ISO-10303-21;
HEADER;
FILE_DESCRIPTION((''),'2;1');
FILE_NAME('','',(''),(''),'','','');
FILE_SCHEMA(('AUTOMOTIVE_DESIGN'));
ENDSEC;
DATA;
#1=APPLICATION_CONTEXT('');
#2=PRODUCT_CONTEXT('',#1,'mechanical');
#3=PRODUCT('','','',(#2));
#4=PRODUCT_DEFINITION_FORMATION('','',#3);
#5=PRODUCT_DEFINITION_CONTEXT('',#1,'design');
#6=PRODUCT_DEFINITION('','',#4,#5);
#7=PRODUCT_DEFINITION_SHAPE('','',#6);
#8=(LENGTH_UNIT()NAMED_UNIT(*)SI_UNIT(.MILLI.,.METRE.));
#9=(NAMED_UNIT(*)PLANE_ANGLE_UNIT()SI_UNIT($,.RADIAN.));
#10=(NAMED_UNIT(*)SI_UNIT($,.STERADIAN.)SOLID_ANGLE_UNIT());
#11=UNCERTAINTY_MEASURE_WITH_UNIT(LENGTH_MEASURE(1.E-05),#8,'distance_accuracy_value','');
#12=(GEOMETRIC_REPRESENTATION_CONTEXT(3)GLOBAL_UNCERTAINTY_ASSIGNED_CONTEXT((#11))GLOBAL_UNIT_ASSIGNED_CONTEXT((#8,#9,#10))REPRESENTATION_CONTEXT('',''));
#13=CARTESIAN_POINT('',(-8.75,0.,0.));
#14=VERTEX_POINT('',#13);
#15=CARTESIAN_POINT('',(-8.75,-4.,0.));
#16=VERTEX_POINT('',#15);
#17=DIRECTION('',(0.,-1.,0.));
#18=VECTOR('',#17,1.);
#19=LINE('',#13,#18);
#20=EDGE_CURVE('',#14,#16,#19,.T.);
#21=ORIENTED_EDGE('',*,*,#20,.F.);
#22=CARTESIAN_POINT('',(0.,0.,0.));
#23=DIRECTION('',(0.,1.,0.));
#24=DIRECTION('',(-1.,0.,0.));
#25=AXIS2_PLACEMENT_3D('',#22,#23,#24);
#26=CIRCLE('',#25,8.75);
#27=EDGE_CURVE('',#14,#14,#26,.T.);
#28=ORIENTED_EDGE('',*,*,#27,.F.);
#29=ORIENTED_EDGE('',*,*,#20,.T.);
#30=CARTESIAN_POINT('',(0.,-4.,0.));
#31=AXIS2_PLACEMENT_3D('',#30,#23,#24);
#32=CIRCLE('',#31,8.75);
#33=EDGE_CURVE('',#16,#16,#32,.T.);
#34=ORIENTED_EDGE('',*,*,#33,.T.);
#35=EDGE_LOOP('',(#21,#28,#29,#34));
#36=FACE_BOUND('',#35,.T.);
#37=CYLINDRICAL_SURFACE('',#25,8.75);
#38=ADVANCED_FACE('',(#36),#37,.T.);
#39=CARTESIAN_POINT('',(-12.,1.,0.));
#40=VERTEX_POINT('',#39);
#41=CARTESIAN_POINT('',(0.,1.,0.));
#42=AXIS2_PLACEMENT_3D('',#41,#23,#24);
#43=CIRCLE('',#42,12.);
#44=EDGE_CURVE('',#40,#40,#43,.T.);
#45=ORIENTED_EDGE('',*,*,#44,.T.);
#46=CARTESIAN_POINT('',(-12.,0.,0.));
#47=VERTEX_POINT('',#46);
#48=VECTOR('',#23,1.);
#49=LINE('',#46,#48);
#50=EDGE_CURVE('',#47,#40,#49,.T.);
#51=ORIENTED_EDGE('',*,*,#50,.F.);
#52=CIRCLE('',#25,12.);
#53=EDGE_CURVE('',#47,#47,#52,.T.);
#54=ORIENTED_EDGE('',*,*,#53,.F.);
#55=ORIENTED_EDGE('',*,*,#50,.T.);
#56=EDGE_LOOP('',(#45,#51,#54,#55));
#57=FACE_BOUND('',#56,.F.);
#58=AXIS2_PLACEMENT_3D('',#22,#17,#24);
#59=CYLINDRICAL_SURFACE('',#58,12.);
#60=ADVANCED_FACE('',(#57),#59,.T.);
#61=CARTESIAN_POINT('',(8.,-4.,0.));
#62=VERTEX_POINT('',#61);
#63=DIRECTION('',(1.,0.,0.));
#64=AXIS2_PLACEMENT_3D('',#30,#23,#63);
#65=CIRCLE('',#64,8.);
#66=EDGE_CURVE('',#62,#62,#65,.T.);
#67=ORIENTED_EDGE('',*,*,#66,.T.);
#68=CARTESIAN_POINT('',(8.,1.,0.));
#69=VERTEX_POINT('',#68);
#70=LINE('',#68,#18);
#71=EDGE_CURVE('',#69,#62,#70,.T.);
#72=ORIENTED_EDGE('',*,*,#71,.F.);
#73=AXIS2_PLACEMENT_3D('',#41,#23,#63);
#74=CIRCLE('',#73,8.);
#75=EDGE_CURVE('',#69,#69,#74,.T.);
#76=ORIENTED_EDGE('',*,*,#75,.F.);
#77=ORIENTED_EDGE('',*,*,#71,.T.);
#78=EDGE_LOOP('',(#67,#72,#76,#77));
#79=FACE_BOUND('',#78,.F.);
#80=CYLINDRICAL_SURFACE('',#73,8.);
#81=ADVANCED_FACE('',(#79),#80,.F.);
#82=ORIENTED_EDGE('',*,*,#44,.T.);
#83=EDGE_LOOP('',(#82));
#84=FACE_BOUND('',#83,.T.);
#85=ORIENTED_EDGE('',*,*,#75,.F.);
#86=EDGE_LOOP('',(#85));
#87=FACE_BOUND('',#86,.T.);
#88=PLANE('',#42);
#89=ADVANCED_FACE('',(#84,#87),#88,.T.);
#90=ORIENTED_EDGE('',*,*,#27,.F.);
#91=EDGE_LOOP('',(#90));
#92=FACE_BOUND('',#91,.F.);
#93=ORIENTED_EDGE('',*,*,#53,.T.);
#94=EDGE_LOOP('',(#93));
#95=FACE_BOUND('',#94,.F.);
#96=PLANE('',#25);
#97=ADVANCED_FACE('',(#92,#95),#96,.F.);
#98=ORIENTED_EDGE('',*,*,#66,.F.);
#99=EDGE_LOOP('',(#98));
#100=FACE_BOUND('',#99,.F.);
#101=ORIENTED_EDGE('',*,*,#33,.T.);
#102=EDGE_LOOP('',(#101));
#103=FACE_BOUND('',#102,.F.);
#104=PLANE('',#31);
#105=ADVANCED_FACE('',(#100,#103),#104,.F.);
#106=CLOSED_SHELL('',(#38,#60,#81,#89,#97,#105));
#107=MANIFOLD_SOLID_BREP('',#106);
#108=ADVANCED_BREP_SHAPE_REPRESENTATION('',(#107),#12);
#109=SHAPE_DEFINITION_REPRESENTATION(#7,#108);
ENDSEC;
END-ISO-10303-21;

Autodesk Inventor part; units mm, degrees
ref_plane "YZ Plane" through (0, 0, 0) normal (1, 0, 0) x (0, 1, 0)
ref_plane "XZ Plane" through (0, 0, 0) normal (0, 1, 0) x (-1, 0, 0)
ref_plane "XY Plane" through (0, 0, 0) normal (0, 0, 1) x (1, 0, 0)
sketch "Эскиз1" plane through (0, 0, 0) normal (0, 1, 0) x (-1, 0, 0)
  circle A0 centre (0, 0) radius 8.75
  dimension "d0" = 17.5
sketch "Эскиз2" plane through (0, 0, 0) normal (0, 1, 0) x (-1, 0, 0)
  circle A0 centre (0, 0) radius 12
  dimension "d1" = 24
extrude "Выдавливание1" add sketch "Эскиз2" along normal blind 1
extrude "Выдавливание2" add sketch "Эскиз1" against normal blind 4
sketch "Эскиз3" plane through (0, 1, 0) normal (0, 1, 0) x (1, 0, 0)
  circle A0 centre (0, 0) radius 8
  dimension "d6" = 16
extrude "Выдавливание3" cut sketch "Эскиз3" against normal blind 6
properties part number "Blumat_holder"
